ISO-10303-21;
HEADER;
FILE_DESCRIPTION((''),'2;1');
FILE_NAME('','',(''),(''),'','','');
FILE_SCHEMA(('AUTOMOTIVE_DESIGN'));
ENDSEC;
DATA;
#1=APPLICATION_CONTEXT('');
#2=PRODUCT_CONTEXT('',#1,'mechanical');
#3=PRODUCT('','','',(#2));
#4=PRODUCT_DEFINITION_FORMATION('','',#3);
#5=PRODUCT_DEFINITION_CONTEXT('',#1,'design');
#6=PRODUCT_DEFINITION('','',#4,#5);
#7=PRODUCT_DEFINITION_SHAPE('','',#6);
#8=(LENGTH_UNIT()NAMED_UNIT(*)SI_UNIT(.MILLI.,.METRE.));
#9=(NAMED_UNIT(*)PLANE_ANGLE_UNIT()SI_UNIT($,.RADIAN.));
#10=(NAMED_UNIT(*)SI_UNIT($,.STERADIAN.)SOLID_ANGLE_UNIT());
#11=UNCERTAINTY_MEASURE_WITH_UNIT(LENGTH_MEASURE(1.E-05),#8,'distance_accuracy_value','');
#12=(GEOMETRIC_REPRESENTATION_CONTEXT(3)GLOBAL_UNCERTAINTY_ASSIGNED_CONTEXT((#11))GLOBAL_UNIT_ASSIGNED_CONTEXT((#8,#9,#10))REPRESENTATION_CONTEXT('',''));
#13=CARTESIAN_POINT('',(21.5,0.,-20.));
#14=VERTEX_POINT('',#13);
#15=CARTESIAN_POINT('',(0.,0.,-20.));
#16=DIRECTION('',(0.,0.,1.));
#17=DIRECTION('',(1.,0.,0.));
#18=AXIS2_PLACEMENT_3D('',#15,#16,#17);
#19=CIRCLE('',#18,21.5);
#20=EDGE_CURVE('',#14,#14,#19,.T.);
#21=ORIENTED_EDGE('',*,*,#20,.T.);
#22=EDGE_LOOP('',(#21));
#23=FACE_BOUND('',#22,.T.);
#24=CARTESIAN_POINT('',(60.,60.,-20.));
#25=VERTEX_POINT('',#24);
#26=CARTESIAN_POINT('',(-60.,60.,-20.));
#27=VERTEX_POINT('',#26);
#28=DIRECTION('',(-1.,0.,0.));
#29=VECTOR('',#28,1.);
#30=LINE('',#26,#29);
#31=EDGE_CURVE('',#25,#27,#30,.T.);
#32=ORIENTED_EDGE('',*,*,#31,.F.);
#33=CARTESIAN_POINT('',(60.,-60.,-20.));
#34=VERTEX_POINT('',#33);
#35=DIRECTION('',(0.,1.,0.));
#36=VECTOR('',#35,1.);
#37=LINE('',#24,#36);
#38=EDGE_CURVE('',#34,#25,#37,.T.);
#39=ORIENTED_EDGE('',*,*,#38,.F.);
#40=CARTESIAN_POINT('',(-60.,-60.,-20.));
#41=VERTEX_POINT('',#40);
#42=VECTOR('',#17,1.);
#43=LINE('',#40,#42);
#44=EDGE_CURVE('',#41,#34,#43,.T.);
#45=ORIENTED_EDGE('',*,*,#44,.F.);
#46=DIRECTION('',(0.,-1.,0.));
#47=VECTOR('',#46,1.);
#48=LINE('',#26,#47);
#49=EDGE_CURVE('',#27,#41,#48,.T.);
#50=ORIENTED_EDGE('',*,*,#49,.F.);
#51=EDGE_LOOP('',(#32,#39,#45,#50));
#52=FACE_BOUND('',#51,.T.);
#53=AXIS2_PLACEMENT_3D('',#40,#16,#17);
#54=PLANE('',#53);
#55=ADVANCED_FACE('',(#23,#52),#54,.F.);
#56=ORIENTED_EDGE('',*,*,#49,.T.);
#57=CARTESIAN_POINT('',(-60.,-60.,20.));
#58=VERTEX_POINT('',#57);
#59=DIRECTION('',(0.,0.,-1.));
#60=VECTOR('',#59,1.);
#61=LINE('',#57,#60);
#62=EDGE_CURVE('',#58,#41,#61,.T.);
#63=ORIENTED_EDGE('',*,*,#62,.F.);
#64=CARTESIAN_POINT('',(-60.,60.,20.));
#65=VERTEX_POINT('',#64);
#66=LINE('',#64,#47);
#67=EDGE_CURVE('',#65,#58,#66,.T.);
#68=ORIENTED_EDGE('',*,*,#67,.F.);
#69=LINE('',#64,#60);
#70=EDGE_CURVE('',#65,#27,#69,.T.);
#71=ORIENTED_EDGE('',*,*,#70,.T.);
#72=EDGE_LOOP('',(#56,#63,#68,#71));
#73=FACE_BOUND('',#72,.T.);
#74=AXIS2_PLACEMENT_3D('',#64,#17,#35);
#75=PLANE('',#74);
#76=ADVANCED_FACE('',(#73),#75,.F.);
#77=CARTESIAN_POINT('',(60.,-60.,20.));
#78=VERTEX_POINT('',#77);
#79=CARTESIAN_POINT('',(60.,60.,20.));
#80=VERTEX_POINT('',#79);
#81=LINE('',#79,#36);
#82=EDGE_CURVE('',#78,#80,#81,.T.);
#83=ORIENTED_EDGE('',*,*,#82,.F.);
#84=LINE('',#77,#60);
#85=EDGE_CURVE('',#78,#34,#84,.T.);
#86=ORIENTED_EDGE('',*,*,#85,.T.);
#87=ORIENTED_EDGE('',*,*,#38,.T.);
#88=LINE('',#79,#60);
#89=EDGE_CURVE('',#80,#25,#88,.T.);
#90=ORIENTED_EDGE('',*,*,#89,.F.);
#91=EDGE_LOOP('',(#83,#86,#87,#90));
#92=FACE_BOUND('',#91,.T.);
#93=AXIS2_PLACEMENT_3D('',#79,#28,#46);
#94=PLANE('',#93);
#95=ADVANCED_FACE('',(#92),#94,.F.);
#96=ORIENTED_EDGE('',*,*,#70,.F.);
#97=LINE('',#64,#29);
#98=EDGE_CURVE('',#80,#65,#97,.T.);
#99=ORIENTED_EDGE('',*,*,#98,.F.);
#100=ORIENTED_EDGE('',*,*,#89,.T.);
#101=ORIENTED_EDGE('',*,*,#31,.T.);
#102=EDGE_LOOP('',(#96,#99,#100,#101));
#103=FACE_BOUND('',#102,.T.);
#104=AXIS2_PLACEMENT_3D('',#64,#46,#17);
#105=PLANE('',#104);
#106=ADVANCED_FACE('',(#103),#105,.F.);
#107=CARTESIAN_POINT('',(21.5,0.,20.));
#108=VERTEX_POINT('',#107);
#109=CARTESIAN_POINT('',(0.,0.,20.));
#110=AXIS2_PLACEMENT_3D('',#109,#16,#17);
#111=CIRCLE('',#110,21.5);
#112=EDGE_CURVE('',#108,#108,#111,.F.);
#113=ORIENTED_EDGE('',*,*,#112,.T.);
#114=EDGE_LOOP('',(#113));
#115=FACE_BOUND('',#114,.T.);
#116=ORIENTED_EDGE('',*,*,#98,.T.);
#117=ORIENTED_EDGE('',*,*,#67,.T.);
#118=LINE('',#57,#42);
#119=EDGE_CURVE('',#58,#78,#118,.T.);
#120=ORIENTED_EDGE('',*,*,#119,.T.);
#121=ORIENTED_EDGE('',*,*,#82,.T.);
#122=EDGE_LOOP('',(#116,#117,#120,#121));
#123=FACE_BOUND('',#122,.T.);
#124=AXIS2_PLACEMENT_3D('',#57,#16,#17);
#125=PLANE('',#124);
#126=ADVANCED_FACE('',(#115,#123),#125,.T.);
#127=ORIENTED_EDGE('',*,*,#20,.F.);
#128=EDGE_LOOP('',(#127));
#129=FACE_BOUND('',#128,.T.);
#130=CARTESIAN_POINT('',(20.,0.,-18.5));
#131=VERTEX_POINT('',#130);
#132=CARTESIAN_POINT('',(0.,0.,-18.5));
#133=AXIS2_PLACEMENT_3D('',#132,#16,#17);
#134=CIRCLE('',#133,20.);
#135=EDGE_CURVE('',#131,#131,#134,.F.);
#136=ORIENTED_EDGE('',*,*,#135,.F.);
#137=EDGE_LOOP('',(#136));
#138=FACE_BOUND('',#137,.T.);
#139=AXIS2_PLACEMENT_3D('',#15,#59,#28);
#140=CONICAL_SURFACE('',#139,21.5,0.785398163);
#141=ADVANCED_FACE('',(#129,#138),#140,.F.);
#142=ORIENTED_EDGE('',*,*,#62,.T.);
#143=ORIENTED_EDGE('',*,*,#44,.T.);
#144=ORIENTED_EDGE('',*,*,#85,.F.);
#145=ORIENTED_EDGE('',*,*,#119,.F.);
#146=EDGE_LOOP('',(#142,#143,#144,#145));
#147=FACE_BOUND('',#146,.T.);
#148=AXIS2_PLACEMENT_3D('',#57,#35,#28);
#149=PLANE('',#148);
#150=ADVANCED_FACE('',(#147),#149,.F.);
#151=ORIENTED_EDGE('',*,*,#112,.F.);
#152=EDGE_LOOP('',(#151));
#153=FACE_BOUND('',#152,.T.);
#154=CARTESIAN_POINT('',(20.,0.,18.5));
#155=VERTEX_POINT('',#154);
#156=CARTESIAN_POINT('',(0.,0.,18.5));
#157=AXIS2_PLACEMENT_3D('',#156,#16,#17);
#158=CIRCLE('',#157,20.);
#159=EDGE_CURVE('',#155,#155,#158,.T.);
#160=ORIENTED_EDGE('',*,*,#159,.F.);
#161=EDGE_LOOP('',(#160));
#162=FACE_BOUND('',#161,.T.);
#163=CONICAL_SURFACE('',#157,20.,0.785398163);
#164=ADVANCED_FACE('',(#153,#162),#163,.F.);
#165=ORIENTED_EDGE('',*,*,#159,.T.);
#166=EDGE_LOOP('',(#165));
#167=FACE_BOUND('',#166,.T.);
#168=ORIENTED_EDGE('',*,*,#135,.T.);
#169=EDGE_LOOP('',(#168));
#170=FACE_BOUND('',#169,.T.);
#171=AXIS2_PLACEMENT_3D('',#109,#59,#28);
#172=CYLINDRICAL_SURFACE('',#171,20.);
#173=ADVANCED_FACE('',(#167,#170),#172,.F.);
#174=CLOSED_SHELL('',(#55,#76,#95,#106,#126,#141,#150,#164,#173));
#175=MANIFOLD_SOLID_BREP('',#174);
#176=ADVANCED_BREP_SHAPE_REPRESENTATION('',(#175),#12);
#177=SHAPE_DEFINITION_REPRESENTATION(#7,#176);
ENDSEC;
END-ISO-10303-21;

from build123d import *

# Parameters (mm, degrees)
SKETCH1_W          = 120
SKETCH1_H          = 120
SKETCH1_R          = 20
EXTRUDE1_DEPTH     = 20
FRAME_CHAMFER_SIZE = 1.5


with BuildPart() as part:
    # Sketch1 → Extrude1 (new body, symmetric)
    with BuildSketch(Plane.XY):
        Rectangle(SKETCH1_W, SKETCH1_H)
        Circle(SKETCH1_R, mode=Mode.SUBTRACT)
    extrude(amount=EXTRUDE1_DEPTH, both=True)

    # Frame Chamfer
    frame_chamfer_edges = [part.edges().sort_by_distance(p)[0] for p in [
        (-20, 0, -20),
        (-20, 0, 20),
    ]]
    chamfer(frame_chamfer_edges, length=FRAME_CHAMFER_SIZE)


solid = part.part
